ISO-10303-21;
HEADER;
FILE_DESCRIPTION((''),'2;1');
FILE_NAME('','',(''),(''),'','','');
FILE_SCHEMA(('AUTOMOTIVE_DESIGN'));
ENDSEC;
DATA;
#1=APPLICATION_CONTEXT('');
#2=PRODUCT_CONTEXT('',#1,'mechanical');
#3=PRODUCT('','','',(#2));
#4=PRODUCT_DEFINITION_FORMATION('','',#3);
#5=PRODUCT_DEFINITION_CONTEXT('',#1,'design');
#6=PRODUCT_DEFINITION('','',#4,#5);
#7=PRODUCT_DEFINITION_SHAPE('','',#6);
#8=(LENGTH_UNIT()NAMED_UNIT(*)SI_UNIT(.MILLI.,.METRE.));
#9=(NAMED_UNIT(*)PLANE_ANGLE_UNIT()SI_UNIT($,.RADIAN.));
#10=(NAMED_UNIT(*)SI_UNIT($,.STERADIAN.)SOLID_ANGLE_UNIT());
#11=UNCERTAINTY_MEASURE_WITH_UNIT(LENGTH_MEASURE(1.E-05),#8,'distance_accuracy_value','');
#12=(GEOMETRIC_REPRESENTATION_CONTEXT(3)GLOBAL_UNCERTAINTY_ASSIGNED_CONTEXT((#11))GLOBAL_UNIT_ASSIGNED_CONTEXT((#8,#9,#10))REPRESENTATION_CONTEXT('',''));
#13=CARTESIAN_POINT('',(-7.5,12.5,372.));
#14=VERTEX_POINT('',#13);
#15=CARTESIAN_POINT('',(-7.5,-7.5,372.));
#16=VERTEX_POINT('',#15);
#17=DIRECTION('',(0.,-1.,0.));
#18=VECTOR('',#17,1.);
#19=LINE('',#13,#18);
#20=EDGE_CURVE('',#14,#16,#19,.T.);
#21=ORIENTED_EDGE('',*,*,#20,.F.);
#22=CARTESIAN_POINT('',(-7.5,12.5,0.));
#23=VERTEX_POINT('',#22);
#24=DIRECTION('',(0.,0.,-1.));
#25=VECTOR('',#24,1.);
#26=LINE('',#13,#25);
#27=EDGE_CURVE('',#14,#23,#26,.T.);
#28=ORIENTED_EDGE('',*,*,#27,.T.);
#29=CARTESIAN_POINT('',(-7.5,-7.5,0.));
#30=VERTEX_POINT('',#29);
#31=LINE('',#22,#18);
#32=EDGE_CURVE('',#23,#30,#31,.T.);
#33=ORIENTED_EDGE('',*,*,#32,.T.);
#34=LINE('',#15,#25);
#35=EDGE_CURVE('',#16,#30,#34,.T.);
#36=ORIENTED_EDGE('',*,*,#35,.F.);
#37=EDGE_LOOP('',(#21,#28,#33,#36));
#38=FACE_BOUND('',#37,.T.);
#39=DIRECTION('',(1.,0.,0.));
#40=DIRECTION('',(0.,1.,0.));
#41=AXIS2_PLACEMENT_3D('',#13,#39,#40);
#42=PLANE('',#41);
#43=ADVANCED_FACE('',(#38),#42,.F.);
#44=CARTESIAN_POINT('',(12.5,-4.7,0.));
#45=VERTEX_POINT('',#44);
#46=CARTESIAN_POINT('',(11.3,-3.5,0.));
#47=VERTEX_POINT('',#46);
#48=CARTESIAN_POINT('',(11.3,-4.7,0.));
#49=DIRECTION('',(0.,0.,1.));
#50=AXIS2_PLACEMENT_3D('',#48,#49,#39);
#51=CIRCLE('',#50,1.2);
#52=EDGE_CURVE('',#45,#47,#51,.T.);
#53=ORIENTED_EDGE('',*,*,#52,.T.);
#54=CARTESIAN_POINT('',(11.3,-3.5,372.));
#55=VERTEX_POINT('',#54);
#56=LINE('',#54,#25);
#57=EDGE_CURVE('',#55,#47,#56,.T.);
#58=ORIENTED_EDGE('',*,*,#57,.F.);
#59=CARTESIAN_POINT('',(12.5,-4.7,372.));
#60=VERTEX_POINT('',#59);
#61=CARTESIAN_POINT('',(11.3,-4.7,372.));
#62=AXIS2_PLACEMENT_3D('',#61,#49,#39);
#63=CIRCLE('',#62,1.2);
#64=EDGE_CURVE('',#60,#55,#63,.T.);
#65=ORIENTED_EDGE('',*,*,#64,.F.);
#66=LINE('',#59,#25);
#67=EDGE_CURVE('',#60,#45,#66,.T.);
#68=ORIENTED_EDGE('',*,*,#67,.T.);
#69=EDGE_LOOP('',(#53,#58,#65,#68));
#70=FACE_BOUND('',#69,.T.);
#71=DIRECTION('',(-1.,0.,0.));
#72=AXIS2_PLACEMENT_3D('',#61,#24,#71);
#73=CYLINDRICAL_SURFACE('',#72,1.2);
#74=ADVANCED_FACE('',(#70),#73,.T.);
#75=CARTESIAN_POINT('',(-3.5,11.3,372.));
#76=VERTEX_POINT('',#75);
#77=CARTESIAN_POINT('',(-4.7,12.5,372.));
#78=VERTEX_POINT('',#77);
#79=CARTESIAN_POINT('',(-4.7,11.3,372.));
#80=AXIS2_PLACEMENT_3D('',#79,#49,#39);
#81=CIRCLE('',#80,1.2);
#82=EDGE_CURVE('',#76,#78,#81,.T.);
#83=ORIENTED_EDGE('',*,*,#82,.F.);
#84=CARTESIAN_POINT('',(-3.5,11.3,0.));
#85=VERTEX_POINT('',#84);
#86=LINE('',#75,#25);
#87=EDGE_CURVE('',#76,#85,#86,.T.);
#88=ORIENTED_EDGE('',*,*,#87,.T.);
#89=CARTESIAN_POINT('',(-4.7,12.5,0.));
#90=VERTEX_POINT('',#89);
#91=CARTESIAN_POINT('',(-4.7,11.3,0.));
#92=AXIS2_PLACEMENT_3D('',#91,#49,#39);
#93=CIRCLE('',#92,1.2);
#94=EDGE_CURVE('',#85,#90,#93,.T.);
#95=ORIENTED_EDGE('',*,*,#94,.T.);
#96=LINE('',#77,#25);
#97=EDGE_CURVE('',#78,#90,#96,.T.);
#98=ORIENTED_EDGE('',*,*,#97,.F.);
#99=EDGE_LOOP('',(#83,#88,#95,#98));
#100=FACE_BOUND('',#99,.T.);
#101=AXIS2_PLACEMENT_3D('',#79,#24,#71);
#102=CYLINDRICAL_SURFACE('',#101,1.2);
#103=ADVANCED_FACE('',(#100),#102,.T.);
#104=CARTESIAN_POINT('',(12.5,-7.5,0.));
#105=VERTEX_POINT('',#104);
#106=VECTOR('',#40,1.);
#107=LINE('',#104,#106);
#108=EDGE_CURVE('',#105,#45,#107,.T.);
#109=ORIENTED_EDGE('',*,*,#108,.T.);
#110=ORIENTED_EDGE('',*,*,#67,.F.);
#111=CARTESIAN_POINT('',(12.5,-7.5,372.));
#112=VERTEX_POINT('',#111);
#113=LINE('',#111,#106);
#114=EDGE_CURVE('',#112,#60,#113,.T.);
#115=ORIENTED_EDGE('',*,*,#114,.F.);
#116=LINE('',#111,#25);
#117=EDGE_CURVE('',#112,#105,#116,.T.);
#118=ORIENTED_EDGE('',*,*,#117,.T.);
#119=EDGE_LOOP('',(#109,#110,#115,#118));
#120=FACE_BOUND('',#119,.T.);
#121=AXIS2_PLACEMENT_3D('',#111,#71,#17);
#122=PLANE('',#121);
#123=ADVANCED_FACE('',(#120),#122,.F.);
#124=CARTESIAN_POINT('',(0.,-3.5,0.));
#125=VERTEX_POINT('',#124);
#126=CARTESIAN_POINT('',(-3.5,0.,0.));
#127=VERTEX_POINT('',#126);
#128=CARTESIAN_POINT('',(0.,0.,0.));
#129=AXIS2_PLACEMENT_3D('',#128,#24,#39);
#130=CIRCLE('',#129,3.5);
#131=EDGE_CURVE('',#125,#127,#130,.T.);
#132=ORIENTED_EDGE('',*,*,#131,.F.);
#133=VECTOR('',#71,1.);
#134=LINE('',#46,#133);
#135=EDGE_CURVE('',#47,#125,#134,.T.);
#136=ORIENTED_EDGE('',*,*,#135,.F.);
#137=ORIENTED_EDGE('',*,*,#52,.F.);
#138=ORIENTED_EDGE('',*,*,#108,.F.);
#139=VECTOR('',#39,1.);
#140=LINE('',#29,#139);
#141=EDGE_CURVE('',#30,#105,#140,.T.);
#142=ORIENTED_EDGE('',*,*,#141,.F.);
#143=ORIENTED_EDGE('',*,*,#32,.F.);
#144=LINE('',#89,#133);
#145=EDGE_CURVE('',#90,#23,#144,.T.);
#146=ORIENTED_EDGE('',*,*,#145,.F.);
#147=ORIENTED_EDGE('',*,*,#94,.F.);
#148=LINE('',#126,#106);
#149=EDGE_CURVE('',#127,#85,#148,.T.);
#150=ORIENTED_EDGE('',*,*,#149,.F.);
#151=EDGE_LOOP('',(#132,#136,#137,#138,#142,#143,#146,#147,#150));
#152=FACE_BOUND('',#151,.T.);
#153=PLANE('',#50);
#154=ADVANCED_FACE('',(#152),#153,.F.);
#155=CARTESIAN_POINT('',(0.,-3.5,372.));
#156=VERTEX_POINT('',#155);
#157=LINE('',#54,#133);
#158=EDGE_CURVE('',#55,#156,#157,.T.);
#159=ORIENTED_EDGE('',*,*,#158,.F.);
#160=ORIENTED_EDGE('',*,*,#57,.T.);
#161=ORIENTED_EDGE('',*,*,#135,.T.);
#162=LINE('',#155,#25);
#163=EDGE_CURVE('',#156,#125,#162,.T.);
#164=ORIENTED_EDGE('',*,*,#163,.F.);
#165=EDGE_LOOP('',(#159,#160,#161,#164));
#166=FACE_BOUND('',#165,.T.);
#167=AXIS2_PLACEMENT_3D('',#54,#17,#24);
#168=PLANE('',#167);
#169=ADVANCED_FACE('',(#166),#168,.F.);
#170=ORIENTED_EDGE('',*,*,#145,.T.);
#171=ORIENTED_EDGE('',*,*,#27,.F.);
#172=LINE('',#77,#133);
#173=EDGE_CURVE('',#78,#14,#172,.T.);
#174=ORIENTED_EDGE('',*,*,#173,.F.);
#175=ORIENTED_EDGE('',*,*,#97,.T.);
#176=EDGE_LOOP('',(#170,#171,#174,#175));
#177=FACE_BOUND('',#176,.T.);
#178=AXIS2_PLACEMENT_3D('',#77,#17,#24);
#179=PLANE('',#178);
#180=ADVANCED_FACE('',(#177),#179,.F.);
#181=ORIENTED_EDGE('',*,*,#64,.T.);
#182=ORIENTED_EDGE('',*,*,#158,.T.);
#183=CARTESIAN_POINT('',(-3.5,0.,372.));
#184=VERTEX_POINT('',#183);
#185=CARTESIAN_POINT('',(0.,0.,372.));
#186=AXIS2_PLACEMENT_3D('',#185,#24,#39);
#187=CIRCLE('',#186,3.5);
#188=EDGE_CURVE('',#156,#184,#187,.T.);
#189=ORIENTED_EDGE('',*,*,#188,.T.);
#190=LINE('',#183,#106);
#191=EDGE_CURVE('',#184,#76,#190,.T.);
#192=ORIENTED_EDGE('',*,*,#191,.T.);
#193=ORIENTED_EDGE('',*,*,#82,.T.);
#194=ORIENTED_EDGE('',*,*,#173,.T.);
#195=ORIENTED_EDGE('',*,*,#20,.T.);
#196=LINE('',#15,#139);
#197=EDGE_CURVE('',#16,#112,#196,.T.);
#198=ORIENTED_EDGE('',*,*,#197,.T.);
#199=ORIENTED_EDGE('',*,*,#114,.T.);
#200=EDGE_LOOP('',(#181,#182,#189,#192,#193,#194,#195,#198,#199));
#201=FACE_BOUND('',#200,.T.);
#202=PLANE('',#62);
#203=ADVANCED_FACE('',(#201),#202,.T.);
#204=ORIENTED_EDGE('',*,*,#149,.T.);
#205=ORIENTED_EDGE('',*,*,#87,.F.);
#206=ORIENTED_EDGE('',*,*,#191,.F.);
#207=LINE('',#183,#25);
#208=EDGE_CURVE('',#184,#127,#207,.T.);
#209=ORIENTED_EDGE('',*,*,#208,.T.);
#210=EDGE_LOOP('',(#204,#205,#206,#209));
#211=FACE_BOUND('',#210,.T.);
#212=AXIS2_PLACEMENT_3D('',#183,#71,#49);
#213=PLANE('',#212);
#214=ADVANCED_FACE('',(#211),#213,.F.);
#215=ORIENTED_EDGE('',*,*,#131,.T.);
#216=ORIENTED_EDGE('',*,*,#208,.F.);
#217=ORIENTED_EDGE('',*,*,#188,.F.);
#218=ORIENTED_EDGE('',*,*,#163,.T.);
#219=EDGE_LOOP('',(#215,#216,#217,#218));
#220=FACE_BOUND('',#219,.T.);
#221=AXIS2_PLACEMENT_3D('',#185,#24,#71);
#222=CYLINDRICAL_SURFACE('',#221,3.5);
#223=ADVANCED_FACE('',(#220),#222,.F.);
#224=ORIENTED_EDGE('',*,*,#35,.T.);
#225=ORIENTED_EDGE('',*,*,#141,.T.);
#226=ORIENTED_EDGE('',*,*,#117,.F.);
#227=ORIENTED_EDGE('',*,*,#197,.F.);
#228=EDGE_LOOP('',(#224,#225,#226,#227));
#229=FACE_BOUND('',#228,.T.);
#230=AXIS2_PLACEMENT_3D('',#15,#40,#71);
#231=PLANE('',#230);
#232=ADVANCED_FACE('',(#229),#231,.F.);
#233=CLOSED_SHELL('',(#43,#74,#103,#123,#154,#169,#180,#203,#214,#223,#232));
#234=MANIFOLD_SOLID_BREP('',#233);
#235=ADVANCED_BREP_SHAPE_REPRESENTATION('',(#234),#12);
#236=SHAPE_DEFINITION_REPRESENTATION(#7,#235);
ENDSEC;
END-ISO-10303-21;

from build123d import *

# Parameters (mm, degrees)
EXTRUDE_1_DEPTH = 372


with BuildPart() as part:
    # Эскиз1 → Бобышка-Вытянуть1 (new body)
    with BuildSketch(Plane.XY):
        with BuildLine():
            Line((-7.5, 12.5), (-7.5, -7.5))
            Line((-7.5, -7.5), (12.5, -7.5))
            Line((12.5, -7.5), (12.5, -4.7))
            ThreePointArc((12.5, -4.7), (12.148528137, -3.851471863), (11.3, -3.5))
            Line((11.3, -3.5), (0, -3.5))
            ThreePointArc((0, -3.5), (-2.474873734, -2.474873734), (-3.5, 0))
            Line((-3.5, 0), (-3.5, 11.3))
            ThreePointArc((-3.5, 11.3), (-3.851471863, 12.148528137), (-4.7, 12.5))
            Line((-4.7, 12.5), (-7.5, 12.5))
        make_face()
    extrude(amount=EXTRUDE_1_DEPTH)


solid = part.part
